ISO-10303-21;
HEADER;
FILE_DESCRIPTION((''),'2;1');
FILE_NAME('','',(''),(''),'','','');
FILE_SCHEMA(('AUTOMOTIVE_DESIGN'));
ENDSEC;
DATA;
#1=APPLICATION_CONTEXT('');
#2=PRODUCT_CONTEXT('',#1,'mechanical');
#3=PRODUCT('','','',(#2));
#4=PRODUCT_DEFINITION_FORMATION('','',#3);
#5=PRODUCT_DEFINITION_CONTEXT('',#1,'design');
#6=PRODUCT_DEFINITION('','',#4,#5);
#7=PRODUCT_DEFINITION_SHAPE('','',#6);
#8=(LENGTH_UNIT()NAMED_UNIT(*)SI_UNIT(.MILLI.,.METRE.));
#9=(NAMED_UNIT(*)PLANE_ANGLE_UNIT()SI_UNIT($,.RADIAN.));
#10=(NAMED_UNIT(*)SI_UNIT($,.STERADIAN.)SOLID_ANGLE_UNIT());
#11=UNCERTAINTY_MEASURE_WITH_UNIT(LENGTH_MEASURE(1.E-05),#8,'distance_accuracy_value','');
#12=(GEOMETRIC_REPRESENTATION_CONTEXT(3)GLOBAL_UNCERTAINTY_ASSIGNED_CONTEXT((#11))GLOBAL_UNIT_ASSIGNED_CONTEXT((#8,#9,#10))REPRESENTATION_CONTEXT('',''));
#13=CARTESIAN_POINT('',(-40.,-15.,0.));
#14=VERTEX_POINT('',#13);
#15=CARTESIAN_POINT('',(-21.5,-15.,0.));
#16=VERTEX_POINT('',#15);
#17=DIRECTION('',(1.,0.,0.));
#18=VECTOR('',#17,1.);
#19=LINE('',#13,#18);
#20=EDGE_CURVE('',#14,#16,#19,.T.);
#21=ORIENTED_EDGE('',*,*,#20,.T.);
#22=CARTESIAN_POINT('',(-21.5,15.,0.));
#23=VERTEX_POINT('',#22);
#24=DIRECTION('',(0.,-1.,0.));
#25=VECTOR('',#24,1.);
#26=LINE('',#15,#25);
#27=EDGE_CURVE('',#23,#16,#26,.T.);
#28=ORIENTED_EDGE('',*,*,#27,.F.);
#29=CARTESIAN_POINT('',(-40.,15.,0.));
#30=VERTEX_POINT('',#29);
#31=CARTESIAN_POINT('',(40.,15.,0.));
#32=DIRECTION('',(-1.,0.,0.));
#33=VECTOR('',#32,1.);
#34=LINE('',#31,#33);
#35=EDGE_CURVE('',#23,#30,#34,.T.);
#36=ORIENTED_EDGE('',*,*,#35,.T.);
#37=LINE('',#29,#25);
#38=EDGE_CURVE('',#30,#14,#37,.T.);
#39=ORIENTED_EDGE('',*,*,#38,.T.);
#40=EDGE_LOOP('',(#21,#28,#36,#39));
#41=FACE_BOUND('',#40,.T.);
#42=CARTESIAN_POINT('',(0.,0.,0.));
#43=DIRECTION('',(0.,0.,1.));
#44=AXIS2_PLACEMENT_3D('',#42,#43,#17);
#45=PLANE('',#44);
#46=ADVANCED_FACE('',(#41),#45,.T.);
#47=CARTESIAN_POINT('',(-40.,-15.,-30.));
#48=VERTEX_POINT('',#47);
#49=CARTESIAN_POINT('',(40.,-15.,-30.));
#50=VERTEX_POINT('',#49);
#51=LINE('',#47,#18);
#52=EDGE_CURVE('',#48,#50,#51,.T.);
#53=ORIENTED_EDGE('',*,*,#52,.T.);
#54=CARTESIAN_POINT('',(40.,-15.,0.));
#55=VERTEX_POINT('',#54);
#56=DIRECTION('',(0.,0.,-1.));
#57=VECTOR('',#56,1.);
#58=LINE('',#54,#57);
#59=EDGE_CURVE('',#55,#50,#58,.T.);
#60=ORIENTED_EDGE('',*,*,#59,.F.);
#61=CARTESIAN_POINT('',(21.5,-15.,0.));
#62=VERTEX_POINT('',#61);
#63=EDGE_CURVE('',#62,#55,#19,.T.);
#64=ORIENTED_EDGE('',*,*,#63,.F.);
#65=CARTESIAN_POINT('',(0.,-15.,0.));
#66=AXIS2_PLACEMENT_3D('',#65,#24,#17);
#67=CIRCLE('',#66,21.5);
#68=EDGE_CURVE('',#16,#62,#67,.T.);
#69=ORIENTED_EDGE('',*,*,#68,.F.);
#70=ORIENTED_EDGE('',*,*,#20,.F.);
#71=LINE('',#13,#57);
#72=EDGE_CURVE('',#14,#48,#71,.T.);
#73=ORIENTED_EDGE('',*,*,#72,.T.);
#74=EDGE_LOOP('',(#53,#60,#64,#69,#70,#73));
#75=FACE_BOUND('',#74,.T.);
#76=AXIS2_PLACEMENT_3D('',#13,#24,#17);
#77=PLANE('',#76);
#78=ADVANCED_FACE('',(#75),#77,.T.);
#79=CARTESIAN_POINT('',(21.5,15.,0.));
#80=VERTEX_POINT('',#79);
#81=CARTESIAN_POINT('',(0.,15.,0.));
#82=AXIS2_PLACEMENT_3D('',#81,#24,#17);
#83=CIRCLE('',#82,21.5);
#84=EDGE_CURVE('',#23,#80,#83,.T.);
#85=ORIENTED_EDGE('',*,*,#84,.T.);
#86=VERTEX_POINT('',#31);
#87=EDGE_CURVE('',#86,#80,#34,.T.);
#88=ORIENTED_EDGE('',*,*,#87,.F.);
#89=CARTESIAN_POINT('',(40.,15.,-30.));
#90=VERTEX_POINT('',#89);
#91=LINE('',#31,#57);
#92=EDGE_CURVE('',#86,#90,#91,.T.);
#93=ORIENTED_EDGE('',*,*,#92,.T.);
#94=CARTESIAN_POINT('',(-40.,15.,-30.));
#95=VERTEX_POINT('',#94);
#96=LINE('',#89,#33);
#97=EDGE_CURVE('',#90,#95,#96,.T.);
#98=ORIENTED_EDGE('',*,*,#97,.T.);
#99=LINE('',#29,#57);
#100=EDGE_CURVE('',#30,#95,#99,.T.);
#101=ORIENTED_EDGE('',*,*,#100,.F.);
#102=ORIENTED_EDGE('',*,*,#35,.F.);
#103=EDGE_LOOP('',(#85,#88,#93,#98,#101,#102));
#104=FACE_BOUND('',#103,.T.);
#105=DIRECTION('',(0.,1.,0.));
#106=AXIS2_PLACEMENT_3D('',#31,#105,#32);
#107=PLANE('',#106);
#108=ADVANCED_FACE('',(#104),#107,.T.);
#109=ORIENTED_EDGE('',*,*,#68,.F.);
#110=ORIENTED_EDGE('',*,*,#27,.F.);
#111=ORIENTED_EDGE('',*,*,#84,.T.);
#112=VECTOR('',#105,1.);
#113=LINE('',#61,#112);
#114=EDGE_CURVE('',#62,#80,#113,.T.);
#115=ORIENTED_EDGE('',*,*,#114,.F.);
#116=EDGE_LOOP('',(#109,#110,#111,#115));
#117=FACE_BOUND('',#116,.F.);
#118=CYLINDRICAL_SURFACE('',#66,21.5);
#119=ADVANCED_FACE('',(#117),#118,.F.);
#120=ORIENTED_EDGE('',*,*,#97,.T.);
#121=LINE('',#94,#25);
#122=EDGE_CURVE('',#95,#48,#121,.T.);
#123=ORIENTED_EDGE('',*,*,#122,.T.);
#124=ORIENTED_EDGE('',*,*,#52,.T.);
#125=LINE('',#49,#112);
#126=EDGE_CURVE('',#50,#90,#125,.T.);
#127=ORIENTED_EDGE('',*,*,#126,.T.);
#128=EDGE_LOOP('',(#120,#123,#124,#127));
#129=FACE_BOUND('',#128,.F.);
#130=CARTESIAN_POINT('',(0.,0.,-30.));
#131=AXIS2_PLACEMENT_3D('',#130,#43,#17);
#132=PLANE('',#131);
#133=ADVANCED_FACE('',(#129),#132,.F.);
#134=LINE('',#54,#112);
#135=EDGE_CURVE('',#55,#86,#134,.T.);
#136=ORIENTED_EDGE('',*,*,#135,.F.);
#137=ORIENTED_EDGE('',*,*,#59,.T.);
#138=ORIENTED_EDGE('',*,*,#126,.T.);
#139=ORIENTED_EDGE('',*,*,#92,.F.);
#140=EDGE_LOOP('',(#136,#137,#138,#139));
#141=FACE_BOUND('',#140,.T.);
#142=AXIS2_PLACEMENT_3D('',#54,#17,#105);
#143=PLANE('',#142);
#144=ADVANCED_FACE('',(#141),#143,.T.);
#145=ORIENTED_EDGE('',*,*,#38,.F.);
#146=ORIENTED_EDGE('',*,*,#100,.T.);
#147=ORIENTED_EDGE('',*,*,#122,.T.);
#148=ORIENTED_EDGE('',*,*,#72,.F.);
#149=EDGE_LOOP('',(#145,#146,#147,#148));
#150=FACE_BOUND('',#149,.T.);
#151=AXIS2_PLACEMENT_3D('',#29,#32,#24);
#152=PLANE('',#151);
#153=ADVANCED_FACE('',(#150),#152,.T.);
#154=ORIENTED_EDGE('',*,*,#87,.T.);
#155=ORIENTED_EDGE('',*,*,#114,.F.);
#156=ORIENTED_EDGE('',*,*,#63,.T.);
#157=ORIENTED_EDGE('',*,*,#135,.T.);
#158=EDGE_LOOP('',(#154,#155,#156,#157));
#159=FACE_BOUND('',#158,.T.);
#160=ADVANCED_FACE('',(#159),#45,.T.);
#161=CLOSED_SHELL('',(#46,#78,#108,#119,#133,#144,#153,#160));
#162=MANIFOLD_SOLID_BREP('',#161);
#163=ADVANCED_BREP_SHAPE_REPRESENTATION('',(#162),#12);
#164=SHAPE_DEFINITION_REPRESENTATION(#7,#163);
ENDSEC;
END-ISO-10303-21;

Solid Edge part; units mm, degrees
sketch "Sketch1" plane through (0, 0, 0) normal (0, 0, 1) x (1, 0, 0)
  line L0 (-40, -15) -> (40, -15)
  line L1 (40, -15) -> (40, 15)
  line L2 (40, 15) -> (-40, 15)
  line L3 (-40, 15) -> (-40, -15)
extrude "Protrusion1" add sketch "Sketch1" against normal blind 30
sketch "Sketch2" plane through (0, -15, -15) normal (0, -1, 0) x (1, 0, 0)
  circle A0 centre (0, 15) radius 21.5
extrude "Recorte_Extrudado_1" cut sketch "Sketch2" against normal blind 30
